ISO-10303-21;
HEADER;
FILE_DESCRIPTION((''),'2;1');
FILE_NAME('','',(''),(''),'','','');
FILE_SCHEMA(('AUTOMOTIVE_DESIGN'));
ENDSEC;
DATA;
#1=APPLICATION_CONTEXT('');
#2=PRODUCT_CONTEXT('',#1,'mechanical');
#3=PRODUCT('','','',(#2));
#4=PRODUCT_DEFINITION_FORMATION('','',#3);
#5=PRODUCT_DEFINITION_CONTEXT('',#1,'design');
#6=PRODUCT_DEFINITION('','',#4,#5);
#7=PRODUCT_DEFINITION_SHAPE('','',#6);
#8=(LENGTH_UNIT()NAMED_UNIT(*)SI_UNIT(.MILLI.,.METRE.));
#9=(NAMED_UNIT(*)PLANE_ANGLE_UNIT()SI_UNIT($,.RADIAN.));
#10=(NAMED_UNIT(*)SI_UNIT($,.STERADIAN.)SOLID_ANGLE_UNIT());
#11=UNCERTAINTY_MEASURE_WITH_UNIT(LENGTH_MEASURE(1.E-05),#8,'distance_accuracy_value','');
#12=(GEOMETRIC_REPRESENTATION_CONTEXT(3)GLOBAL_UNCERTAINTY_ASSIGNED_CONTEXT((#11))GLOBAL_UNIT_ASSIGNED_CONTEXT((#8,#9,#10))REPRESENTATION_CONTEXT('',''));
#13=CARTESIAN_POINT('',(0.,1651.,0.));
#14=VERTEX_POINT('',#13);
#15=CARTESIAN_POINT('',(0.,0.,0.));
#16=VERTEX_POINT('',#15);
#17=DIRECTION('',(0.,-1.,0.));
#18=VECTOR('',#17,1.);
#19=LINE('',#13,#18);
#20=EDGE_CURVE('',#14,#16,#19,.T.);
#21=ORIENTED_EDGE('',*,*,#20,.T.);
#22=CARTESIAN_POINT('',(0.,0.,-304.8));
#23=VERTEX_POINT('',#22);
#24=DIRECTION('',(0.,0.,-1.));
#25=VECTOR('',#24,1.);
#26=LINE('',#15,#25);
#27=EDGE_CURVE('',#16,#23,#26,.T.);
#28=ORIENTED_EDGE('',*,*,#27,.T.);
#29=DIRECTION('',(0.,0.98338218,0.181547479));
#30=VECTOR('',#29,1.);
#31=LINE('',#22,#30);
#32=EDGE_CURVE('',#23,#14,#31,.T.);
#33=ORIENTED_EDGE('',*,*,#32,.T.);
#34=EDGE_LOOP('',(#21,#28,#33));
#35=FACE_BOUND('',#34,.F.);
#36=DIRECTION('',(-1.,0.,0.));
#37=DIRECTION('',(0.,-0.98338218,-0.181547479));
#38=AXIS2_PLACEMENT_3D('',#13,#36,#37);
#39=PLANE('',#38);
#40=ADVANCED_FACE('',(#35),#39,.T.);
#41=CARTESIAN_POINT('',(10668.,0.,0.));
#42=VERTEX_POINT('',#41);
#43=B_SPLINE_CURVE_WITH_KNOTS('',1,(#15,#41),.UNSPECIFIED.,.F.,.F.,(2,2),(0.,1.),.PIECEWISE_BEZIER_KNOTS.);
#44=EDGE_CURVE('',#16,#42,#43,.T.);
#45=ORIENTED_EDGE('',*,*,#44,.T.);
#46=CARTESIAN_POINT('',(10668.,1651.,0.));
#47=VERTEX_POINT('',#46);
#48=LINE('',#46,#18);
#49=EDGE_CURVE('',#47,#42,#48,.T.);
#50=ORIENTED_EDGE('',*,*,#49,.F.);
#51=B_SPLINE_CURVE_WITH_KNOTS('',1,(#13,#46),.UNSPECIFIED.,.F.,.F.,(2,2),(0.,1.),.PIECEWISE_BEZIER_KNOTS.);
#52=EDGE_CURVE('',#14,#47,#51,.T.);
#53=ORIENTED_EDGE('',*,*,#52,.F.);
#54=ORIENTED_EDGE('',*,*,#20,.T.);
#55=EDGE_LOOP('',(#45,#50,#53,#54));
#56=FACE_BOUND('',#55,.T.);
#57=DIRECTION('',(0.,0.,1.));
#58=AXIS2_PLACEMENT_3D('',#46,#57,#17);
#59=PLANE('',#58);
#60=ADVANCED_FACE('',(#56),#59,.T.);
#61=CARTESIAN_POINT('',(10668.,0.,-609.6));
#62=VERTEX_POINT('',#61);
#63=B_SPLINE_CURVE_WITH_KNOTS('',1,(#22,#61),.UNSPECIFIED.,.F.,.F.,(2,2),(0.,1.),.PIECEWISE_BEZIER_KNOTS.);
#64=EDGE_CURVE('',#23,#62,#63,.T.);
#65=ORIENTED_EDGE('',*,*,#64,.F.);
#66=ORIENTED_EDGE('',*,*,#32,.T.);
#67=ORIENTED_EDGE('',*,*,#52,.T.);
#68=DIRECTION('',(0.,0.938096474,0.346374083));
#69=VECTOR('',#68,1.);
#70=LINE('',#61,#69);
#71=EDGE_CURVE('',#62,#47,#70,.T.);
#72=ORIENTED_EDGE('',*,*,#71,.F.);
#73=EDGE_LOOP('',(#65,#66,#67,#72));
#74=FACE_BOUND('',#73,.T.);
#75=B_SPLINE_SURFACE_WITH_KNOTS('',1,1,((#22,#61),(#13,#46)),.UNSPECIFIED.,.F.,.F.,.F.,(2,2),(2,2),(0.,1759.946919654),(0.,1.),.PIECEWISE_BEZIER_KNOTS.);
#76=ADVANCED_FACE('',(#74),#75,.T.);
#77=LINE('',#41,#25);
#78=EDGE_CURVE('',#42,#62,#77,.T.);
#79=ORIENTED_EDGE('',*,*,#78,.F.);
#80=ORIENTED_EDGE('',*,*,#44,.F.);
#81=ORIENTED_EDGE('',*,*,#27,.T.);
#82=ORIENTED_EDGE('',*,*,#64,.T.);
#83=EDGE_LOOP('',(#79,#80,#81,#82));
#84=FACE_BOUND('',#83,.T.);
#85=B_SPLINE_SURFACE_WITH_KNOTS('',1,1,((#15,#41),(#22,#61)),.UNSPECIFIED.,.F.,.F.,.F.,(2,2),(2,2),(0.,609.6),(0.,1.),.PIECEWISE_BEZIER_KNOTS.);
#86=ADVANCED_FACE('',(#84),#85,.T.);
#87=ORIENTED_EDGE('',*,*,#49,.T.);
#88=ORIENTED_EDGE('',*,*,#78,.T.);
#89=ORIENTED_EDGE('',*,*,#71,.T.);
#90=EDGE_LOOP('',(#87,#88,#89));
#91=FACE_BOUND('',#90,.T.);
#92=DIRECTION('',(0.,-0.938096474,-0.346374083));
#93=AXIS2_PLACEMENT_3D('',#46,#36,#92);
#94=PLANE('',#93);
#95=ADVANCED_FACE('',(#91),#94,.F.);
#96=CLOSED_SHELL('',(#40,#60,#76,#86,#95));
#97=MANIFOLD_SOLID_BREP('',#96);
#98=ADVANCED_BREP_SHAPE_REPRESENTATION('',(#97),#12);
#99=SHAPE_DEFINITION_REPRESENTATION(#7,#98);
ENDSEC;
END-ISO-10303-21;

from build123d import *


with BuildPart() as f3:
    # F0 (on Right) → F3 section 0
    with BuildSketch(Plane.YZ):
        Polygon((1651, 0), (0, 0), (0, -304.8), align=None)
    # F2 (on offset) → F3 section 1
    with BuildSketch(Plane.YZ.offset(10668)):
        Polygon((1651, 0), (0, 0), (0, -609.6), align=None)
    loft()


solid = f3.part
